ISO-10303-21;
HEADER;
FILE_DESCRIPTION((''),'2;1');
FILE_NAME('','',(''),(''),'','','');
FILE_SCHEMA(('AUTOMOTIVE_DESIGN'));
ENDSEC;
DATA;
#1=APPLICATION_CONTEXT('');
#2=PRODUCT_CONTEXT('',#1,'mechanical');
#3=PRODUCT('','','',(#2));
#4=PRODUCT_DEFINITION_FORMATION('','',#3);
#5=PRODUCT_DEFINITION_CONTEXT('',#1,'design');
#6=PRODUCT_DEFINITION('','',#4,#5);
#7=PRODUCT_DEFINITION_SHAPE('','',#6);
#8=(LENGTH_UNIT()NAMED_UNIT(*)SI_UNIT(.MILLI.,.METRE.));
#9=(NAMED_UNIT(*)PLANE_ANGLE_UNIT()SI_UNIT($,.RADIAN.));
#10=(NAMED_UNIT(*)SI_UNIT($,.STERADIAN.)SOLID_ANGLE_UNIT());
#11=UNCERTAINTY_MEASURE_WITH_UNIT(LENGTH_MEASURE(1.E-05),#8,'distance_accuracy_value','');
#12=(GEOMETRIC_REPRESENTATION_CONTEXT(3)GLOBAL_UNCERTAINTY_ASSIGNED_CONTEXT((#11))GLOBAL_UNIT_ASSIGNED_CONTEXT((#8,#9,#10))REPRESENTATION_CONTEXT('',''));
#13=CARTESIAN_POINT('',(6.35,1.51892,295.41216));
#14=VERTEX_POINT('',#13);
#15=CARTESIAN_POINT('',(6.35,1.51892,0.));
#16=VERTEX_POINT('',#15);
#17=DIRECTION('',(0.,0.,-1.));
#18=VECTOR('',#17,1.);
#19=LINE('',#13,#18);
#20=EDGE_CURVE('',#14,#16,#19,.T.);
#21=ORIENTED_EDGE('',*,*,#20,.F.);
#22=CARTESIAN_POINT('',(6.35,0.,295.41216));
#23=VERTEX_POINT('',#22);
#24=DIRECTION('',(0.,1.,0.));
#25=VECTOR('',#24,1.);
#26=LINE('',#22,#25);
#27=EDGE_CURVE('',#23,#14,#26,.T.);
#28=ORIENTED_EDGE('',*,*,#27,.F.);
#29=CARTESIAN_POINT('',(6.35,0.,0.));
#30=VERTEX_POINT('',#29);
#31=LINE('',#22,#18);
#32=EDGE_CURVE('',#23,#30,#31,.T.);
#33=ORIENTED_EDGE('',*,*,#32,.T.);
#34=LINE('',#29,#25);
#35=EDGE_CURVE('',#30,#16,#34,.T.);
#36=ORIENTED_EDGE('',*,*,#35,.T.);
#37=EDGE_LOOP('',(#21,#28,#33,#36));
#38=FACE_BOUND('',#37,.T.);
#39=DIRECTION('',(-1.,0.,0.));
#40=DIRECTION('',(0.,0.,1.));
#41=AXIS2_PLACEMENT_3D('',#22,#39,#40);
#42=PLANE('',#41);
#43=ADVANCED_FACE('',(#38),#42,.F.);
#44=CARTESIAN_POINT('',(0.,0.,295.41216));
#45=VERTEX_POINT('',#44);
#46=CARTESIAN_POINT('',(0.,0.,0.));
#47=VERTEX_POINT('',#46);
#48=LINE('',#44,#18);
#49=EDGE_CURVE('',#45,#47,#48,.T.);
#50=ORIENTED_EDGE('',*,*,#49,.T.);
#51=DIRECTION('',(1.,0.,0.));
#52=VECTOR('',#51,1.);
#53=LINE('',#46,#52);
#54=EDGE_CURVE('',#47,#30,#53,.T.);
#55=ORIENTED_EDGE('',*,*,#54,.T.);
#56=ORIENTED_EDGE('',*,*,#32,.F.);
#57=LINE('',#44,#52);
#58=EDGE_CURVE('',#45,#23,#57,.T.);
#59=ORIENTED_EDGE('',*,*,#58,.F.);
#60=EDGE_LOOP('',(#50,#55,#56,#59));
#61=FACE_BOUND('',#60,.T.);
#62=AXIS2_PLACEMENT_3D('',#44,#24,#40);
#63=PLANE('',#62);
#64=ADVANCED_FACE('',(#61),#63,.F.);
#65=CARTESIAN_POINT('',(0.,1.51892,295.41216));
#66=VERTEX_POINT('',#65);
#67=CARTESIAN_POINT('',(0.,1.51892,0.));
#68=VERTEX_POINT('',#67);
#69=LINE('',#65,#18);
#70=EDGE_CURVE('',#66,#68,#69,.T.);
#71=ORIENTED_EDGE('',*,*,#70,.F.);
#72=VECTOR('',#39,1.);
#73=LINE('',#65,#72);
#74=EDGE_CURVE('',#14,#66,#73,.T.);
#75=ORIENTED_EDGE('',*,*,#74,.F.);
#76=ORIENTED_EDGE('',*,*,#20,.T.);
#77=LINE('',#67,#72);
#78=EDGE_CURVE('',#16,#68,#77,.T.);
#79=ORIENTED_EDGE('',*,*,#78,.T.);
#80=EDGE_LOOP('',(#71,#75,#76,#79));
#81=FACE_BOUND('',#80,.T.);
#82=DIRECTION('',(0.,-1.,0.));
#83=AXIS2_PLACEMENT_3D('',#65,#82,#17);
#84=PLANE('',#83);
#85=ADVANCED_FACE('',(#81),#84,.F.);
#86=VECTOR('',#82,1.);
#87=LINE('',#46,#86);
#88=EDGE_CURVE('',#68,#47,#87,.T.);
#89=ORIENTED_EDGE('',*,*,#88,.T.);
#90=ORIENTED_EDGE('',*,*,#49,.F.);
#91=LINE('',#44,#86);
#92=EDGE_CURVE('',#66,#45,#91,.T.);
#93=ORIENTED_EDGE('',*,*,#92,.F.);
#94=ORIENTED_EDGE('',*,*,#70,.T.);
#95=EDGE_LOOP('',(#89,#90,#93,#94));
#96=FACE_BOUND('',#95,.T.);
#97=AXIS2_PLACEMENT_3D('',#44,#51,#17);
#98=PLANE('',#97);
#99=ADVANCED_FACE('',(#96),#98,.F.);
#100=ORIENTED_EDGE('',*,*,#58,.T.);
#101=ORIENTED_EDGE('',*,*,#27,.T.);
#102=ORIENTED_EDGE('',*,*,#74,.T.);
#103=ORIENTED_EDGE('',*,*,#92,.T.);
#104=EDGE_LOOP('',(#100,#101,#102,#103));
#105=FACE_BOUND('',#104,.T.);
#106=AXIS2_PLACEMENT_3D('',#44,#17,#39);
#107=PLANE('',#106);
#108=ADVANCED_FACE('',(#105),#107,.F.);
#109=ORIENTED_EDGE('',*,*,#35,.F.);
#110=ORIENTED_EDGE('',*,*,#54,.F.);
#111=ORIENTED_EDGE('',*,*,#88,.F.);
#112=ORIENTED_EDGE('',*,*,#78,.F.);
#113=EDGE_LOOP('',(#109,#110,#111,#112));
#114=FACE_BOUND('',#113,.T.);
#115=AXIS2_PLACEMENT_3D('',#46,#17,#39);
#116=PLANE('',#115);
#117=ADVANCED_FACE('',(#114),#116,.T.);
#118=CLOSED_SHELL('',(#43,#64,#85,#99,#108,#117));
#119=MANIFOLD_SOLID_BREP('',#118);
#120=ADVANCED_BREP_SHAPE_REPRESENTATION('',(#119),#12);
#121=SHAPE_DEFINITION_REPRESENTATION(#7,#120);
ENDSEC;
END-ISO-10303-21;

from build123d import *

# Parameters (mm, degrees)
SKETCH1_W           = 6.35
SKETCH1_H           = 1.51892
BOSS_EXTRUDE1_DEPTH = 295.41216


with BuildPart() as part:
    # Sketch1 → Boss-Extrude1 (new body)
    with BuildSketch(Plane.XY):
        with Locations((3.175, 0.75946)):
            Rectangle(SKETCH1_W, SKETCH1_H)
    extrude(amount=BOSS_EXTRUDE1_DEPTH)


solid = part.part
